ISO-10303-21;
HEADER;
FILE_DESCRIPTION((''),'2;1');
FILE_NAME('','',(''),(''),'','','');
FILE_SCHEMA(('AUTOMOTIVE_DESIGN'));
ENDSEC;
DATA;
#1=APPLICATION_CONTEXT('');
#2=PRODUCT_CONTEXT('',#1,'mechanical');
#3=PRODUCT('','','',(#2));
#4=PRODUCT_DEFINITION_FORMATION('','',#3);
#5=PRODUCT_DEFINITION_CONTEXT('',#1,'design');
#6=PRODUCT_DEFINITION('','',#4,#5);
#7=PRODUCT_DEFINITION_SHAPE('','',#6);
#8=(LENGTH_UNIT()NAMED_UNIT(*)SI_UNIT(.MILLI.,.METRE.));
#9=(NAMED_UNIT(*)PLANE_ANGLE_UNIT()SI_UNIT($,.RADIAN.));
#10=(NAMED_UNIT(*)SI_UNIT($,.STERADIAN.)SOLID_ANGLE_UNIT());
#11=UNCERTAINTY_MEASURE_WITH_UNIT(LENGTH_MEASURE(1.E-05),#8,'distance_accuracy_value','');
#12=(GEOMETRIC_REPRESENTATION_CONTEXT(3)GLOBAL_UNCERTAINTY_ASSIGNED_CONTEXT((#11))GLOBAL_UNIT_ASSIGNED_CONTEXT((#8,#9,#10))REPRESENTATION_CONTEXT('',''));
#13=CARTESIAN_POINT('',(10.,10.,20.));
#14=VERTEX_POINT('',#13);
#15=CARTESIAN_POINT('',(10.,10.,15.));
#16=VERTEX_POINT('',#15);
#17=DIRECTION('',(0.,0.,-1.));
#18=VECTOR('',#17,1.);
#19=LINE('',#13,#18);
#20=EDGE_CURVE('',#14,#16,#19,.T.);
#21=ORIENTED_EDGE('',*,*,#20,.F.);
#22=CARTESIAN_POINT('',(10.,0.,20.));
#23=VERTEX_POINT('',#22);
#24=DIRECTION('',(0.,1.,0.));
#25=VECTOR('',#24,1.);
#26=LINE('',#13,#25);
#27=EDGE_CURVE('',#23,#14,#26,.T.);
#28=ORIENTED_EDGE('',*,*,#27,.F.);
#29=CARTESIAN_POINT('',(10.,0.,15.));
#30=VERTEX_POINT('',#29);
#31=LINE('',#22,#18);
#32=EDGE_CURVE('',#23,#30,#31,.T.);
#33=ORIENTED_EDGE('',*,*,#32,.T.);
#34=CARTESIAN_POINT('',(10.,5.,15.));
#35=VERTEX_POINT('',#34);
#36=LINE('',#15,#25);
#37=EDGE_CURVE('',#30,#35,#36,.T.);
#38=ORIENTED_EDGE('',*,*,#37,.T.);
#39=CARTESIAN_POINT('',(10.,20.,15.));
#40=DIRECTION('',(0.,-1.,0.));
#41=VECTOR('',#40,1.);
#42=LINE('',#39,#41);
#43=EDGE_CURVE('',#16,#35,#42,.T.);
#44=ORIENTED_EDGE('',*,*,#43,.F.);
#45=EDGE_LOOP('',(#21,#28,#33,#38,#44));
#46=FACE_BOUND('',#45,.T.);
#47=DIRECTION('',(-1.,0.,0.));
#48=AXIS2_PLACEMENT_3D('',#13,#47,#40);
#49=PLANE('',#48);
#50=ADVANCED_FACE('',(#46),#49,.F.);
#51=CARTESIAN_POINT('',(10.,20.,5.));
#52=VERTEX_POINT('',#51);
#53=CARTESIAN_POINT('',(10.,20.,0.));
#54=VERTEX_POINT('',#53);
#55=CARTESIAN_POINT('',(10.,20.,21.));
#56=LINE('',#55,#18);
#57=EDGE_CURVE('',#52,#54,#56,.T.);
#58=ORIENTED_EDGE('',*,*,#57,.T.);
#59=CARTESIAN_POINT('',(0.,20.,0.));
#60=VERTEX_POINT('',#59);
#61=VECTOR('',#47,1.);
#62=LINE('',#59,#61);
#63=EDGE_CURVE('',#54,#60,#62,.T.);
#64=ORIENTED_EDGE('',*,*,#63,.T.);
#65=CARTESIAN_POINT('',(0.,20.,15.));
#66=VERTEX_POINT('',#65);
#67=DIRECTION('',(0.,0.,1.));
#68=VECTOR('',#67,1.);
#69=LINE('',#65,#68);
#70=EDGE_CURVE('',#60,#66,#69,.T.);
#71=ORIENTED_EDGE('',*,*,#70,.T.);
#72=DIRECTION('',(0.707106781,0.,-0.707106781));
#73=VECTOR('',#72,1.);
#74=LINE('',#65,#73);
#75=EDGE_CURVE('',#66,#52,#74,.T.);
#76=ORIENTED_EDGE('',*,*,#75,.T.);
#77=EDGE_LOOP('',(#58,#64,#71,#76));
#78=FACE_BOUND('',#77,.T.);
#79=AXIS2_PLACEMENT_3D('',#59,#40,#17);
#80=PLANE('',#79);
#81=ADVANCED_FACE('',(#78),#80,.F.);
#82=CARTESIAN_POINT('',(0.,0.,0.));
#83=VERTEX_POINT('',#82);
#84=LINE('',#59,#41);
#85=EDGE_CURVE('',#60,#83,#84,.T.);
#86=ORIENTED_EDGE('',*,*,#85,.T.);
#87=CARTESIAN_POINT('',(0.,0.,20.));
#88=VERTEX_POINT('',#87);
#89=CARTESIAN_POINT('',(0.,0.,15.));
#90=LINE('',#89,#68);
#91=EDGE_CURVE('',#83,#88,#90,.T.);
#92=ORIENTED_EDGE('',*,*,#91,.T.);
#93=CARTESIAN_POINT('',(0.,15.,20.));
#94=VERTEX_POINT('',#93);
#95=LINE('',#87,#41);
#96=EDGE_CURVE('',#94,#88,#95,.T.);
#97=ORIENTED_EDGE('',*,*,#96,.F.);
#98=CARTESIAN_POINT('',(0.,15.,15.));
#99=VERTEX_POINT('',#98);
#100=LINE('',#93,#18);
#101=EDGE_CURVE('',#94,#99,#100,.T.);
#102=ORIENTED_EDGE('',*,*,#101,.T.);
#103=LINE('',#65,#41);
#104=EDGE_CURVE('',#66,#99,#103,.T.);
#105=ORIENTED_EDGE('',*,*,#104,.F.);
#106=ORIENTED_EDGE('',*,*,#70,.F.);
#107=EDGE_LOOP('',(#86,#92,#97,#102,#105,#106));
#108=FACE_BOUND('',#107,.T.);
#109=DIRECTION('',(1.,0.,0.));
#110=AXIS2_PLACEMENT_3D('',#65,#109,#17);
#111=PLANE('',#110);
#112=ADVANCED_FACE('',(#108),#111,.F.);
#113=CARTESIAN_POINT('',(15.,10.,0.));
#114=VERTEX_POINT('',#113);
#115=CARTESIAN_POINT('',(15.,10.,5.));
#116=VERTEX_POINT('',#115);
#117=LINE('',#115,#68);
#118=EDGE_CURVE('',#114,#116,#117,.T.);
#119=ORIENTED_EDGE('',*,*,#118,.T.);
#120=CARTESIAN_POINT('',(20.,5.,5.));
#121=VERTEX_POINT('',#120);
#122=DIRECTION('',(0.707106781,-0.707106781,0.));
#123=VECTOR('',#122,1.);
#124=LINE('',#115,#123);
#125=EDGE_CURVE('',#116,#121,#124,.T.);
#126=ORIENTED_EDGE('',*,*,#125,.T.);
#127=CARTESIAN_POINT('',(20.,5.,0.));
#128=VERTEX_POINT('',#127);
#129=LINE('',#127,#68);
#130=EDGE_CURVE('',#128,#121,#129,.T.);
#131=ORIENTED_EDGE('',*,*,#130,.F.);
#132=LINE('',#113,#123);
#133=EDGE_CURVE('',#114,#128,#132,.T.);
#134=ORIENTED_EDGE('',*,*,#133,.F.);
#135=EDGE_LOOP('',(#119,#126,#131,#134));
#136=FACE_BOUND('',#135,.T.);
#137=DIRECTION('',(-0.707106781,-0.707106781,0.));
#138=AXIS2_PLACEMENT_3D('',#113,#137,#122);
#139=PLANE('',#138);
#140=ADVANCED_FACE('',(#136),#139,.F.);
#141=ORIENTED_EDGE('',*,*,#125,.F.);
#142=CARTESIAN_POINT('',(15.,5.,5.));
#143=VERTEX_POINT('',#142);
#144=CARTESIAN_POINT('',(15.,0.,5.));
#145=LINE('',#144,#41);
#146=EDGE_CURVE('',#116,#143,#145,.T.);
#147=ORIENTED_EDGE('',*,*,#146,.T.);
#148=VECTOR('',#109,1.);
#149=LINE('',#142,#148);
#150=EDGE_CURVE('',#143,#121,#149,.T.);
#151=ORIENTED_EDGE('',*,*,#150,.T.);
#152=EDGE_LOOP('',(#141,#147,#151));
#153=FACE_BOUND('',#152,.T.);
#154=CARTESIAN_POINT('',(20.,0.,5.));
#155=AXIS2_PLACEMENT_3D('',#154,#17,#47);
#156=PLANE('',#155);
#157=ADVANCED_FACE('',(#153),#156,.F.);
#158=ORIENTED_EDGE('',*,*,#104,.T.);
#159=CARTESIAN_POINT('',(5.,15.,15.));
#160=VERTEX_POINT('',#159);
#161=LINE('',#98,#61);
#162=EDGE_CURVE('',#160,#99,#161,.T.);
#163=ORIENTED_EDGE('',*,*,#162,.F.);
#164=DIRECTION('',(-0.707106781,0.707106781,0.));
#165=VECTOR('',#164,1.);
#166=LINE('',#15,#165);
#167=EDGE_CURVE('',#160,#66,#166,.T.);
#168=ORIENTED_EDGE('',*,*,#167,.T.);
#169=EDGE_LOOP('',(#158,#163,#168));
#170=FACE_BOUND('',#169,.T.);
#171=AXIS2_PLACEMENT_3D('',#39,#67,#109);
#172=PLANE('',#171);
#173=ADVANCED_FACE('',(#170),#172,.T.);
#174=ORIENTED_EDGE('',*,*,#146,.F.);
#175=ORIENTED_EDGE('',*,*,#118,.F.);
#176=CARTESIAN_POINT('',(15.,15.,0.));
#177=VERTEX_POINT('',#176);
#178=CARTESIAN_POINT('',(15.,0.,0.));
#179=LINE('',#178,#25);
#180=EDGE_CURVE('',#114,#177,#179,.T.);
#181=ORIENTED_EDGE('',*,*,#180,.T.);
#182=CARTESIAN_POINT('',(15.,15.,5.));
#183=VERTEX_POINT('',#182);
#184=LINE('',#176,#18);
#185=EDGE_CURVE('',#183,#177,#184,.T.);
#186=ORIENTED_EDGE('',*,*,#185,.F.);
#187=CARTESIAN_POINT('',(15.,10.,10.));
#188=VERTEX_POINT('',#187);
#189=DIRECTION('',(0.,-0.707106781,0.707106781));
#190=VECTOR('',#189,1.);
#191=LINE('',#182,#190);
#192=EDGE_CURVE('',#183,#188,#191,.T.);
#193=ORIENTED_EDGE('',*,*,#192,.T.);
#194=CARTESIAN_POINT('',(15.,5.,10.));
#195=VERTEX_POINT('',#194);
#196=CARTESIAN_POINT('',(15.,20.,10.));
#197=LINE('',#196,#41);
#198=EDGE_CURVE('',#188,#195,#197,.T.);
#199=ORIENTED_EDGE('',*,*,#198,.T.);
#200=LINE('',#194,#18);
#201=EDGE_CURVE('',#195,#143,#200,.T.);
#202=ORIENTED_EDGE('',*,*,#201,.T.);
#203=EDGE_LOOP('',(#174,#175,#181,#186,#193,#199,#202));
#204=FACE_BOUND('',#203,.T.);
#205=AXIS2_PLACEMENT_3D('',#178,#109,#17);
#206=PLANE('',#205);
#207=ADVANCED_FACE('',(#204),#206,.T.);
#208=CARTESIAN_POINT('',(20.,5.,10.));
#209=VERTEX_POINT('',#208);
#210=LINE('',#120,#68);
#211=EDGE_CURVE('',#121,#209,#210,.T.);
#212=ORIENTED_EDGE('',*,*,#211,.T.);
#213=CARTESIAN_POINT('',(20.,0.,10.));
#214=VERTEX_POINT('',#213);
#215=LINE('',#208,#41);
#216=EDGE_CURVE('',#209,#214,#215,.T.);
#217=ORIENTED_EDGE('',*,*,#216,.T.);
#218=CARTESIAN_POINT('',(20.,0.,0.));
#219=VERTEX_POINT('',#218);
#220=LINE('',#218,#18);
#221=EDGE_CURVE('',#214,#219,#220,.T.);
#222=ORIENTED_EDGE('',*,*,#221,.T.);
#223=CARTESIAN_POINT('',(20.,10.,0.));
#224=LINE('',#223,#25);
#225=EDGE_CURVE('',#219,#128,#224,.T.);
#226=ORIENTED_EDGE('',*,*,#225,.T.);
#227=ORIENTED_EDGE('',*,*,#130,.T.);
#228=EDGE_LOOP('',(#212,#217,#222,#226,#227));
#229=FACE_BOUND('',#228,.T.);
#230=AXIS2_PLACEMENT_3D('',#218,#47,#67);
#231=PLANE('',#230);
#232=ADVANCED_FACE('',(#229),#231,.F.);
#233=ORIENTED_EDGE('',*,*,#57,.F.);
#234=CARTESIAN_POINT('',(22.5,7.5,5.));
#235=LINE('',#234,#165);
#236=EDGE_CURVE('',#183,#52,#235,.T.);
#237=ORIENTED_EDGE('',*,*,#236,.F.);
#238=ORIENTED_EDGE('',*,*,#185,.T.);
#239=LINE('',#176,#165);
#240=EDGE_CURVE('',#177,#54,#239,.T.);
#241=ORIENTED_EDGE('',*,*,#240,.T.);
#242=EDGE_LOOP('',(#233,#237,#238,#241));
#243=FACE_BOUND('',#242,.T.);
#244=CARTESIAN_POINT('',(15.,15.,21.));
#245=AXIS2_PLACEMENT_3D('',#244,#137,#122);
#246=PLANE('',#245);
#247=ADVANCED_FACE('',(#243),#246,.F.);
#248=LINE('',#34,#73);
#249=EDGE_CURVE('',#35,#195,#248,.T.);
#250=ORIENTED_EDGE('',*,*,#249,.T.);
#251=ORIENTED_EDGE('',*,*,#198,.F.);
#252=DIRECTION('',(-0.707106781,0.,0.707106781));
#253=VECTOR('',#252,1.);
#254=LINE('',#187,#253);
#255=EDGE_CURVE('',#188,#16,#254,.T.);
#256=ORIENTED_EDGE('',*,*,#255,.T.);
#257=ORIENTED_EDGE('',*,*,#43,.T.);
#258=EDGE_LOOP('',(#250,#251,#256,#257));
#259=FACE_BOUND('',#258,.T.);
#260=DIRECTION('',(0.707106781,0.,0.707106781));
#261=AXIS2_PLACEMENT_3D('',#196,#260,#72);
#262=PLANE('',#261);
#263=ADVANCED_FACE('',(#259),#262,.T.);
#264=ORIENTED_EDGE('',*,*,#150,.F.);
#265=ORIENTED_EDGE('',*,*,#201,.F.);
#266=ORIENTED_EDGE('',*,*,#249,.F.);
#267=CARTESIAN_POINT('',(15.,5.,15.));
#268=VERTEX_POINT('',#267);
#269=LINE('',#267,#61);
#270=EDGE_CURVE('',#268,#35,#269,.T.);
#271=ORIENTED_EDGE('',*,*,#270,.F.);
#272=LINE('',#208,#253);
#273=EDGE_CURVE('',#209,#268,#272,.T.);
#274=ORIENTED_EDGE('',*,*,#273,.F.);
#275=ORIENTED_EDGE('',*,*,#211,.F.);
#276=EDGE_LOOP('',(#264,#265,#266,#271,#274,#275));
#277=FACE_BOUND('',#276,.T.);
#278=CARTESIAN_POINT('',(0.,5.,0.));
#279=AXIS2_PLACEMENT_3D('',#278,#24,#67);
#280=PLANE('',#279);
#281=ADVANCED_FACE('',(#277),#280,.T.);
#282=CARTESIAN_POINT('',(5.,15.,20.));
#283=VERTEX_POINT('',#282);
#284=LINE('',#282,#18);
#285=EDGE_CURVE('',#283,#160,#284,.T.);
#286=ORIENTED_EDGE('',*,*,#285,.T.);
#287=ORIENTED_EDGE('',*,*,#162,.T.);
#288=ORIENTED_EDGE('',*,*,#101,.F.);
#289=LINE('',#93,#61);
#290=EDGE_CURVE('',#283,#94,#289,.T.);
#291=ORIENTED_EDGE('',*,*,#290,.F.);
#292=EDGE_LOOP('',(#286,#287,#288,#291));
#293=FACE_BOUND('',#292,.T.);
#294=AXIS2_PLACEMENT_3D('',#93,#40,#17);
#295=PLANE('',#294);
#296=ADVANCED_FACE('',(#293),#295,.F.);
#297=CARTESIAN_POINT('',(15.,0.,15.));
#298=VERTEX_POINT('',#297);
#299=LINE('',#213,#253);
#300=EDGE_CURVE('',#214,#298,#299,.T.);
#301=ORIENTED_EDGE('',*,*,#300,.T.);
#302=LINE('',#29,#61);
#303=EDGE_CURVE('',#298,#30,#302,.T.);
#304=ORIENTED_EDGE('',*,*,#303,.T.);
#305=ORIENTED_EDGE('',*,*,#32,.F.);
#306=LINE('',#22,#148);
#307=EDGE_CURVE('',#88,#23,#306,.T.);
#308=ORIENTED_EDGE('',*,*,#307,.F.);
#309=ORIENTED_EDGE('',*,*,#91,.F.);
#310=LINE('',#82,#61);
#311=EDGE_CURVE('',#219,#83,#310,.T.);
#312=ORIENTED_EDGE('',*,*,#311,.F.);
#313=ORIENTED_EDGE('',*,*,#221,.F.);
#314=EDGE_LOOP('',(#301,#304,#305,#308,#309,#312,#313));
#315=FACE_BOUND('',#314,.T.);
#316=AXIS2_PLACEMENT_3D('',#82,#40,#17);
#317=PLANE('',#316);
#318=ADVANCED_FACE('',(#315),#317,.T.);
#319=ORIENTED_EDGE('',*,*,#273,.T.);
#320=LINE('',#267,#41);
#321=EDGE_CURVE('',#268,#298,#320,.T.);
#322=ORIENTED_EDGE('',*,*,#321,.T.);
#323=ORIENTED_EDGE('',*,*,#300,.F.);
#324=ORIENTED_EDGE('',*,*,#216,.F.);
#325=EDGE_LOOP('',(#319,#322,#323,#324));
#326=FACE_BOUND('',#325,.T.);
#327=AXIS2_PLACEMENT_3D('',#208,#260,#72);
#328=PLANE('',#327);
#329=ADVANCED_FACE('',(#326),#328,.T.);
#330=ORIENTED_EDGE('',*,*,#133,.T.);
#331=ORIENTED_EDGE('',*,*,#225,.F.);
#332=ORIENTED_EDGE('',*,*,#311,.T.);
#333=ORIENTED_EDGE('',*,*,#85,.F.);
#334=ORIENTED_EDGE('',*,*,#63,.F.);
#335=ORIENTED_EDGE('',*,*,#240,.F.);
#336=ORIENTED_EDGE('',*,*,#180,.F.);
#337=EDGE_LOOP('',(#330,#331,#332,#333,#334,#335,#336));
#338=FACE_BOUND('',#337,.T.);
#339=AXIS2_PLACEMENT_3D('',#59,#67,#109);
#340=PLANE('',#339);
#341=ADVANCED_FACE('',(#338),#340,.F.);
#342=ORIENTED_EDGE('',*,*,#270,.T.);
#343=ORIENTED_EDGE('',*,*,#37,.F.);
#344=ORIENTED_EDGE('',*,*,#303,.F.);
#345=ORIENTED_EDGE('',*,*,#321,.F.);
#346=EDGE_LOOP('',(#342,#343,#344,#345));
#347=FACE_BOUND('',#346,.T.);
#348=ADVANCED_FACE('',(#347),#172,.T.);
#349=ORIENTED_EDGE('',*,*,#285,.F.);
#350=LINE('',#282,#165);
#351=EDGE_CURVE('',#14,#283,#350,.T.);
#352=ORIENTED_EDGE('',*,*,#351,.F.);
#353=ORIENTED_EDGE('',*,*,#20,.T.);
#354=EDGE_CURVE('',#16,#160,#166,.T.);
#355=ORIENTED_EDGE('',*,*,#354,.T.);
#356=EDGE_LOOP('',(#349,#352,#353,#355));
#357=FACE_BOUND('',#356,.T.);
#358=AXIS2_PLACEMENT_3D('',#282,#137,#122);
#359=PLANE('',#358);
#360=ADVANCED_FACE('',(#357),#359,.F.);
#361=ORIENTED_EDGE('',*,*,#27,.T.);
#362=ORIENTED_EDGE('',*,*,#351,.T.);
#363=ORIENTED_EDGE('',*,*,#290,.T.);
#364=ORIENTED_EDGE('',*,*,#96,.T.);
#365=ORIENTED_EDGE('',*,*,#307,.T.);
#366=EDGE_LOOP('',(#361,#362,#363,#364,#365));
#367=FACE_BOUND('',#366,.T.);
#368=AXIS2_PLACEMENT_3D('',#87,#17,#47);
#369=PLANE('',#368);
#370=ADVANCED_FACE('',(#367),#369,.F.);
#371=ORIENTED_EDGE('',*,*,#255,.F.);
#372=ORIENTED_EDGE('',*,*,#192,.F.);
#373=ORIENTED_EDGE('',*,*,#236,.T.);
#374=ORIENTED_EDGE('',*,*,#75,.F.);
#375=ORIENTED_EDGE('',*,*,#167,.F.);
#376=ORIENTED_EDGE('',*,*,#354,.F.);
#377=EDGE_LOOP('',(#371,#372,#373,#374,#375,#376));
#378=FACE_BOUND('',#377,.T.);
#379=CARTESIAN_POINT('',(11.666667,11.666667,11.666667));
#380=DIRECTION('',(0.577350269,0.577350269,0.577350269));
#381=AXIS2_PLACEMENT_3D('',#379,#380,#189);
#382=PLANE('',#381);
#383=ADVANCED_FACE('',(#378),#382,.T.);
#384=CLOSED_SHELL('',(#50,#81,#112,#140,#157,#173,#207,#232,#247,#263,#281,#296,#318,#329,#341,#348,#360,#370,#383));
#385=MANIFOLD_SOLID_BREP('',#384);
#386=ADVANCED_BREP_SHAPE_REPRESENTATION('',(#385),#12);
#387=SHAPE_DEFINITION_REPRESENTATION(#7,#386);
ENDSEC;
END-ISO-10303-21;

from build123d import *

# Parameters (mm, degrees)
BOSS_EXTRUDE1_DEPTH = 20
SKETCH2_W           = 5
SKETCH2_H           = 20
BOSS_EXTRUDE2_DEPTH = 5
CUT_EXTRUDE1_DEPTH  = 21
BOSS_EXTRUDE4_DEPTH = 20
CUT_EXTRUDE2_DEPTH  = 70
SKETCH5_W           = 5
SKETCH5_H           = 10
BOSS_EXTRUDE5_DEPTH = 5
CUT_EXTRUDE3_DEPTH  = 5
BOSS_EXTRUDE6_DEPTH = 5
BOSS_EXTRUDE7_DEPTH = 5


with BuildPart() as part:
    # Sketch1 → Boss-Extrude1 (new body)
    with BuildSketch(Plane(origin=(0, 0, 0), x_dir=(1, 0, 0), z_dir=(0, 1, 0))):
        Polygon((0, -15), (0, 0), (10, 0), (10, -5), align=None)
    extrude(amount=BOSS_EXTRUDE1_DEPTH)

    # Sketch2 → Boss-Extrude2 (add)
    with BuildSketch(Plane(origin=(10, 0, 0), x_dir=(0, 0, -1), z_dir=(1, 0, 0))):
        with Locations((-2.5, 10)):
            Rectangle(SKETCH2_W, SKETCH2_H)
    extrude(amount=BOSS_EXTRUDE2_DEPTH)

    # Sketch3 → Cut-Extrude1 (cut)
    with BuildSketch(Plane(origin=(0, 0, 0), x_dir=(-1, 0, 0), z_dir=(0, 0, -1))):
        Polygon((-10, 20), (-15, 20), (-15, 15), align=None)
    extrude(amount=-CUT_EXTRUDE1_DEPTH, mode=Mode.SUBTRACT)

    # Sketch4 → Boss-Extrude4 (add)
    with BuildSketch(Plane(origin=(0, 0, 0), x_dir=(-1, 0, 0), z_dir=(0, -1, 0))):
        Polygon((0, -15), (-10, -5), (-15, -5), (-15, -10), (-10, -15), align=None)
    extrude(amount=-BOSS_EXTRUDE4_DEPTH)

    # 3DSketch1 → Cut-Extrude2 (cut, along a direction that is not the sketch's normal)
    with BuildSketch(Plane(origin=(0, 20, 15), x_dir=(0.8017837257372734, -0.26726124191242434, -0.5345224838248487), z_dir=(-0.5773502691896257, -0.5773502691896256, -0.5773502691896261))):
        Polygon((0, 0), (13.363062096, -4.629100499), (18.708286934, 0), (17.371980724, 6.943650748), (10.690449676, 9.258200998), align=None)
    extrude(amount=-CUT_EXTRUDE2_DEPTH, dir=(-1, 0, 0), mode=Mode.SUBTRACT)

    # Sketch5 → Boss-Extrude5 (add)
    with BuildSketch(Plane(origin=(15, 0, 0), x_dir=(0, 0, -1), z_dir=(1, 0, 0))):
        with Locations((-2.5, 5)):
            Rectangle(SKETCH5_W, SKETCH5_H)
    extrude(amount=BOSS_EXTRUDE5_DEPTH)

    # Sketch6 → Cut-Extrude3 (cut)
    with BuildSketch(Plane.XY.offset(5)):
        Polygon((15, 10), (20, 5), (20, 10), align=None)
    extrude(amount=-CUT_EXTRUDE3_DEPTH, mode=Mode.SUBTRACT)

    # Sketch7 → Boss-Extrude6 (add)
    with BuildSketch(Plane(origin=(0, 0, 0), x_dir=(-1, 0, 0), z_dir=(0, -1, 0))):
        Polygon((-15, -10), (-15, -5), (-20, -5), (-20, -10), (-15, -15), (-10, -15), align=None)
    extrude(amount=-BOSS_EXTRUDE6_DEPTH)

    # Sketch8 → Boss-Extrude7 (add)
    with BuildSketch(Plane.XY.offset(15)):
        Polygon((0, 15), (5, 15), (10, 10), (10, 0), (0, 0), align=None)
    extrude(amount=BOSS_EXTRUDE7_DEPTH)


solid = part.part
